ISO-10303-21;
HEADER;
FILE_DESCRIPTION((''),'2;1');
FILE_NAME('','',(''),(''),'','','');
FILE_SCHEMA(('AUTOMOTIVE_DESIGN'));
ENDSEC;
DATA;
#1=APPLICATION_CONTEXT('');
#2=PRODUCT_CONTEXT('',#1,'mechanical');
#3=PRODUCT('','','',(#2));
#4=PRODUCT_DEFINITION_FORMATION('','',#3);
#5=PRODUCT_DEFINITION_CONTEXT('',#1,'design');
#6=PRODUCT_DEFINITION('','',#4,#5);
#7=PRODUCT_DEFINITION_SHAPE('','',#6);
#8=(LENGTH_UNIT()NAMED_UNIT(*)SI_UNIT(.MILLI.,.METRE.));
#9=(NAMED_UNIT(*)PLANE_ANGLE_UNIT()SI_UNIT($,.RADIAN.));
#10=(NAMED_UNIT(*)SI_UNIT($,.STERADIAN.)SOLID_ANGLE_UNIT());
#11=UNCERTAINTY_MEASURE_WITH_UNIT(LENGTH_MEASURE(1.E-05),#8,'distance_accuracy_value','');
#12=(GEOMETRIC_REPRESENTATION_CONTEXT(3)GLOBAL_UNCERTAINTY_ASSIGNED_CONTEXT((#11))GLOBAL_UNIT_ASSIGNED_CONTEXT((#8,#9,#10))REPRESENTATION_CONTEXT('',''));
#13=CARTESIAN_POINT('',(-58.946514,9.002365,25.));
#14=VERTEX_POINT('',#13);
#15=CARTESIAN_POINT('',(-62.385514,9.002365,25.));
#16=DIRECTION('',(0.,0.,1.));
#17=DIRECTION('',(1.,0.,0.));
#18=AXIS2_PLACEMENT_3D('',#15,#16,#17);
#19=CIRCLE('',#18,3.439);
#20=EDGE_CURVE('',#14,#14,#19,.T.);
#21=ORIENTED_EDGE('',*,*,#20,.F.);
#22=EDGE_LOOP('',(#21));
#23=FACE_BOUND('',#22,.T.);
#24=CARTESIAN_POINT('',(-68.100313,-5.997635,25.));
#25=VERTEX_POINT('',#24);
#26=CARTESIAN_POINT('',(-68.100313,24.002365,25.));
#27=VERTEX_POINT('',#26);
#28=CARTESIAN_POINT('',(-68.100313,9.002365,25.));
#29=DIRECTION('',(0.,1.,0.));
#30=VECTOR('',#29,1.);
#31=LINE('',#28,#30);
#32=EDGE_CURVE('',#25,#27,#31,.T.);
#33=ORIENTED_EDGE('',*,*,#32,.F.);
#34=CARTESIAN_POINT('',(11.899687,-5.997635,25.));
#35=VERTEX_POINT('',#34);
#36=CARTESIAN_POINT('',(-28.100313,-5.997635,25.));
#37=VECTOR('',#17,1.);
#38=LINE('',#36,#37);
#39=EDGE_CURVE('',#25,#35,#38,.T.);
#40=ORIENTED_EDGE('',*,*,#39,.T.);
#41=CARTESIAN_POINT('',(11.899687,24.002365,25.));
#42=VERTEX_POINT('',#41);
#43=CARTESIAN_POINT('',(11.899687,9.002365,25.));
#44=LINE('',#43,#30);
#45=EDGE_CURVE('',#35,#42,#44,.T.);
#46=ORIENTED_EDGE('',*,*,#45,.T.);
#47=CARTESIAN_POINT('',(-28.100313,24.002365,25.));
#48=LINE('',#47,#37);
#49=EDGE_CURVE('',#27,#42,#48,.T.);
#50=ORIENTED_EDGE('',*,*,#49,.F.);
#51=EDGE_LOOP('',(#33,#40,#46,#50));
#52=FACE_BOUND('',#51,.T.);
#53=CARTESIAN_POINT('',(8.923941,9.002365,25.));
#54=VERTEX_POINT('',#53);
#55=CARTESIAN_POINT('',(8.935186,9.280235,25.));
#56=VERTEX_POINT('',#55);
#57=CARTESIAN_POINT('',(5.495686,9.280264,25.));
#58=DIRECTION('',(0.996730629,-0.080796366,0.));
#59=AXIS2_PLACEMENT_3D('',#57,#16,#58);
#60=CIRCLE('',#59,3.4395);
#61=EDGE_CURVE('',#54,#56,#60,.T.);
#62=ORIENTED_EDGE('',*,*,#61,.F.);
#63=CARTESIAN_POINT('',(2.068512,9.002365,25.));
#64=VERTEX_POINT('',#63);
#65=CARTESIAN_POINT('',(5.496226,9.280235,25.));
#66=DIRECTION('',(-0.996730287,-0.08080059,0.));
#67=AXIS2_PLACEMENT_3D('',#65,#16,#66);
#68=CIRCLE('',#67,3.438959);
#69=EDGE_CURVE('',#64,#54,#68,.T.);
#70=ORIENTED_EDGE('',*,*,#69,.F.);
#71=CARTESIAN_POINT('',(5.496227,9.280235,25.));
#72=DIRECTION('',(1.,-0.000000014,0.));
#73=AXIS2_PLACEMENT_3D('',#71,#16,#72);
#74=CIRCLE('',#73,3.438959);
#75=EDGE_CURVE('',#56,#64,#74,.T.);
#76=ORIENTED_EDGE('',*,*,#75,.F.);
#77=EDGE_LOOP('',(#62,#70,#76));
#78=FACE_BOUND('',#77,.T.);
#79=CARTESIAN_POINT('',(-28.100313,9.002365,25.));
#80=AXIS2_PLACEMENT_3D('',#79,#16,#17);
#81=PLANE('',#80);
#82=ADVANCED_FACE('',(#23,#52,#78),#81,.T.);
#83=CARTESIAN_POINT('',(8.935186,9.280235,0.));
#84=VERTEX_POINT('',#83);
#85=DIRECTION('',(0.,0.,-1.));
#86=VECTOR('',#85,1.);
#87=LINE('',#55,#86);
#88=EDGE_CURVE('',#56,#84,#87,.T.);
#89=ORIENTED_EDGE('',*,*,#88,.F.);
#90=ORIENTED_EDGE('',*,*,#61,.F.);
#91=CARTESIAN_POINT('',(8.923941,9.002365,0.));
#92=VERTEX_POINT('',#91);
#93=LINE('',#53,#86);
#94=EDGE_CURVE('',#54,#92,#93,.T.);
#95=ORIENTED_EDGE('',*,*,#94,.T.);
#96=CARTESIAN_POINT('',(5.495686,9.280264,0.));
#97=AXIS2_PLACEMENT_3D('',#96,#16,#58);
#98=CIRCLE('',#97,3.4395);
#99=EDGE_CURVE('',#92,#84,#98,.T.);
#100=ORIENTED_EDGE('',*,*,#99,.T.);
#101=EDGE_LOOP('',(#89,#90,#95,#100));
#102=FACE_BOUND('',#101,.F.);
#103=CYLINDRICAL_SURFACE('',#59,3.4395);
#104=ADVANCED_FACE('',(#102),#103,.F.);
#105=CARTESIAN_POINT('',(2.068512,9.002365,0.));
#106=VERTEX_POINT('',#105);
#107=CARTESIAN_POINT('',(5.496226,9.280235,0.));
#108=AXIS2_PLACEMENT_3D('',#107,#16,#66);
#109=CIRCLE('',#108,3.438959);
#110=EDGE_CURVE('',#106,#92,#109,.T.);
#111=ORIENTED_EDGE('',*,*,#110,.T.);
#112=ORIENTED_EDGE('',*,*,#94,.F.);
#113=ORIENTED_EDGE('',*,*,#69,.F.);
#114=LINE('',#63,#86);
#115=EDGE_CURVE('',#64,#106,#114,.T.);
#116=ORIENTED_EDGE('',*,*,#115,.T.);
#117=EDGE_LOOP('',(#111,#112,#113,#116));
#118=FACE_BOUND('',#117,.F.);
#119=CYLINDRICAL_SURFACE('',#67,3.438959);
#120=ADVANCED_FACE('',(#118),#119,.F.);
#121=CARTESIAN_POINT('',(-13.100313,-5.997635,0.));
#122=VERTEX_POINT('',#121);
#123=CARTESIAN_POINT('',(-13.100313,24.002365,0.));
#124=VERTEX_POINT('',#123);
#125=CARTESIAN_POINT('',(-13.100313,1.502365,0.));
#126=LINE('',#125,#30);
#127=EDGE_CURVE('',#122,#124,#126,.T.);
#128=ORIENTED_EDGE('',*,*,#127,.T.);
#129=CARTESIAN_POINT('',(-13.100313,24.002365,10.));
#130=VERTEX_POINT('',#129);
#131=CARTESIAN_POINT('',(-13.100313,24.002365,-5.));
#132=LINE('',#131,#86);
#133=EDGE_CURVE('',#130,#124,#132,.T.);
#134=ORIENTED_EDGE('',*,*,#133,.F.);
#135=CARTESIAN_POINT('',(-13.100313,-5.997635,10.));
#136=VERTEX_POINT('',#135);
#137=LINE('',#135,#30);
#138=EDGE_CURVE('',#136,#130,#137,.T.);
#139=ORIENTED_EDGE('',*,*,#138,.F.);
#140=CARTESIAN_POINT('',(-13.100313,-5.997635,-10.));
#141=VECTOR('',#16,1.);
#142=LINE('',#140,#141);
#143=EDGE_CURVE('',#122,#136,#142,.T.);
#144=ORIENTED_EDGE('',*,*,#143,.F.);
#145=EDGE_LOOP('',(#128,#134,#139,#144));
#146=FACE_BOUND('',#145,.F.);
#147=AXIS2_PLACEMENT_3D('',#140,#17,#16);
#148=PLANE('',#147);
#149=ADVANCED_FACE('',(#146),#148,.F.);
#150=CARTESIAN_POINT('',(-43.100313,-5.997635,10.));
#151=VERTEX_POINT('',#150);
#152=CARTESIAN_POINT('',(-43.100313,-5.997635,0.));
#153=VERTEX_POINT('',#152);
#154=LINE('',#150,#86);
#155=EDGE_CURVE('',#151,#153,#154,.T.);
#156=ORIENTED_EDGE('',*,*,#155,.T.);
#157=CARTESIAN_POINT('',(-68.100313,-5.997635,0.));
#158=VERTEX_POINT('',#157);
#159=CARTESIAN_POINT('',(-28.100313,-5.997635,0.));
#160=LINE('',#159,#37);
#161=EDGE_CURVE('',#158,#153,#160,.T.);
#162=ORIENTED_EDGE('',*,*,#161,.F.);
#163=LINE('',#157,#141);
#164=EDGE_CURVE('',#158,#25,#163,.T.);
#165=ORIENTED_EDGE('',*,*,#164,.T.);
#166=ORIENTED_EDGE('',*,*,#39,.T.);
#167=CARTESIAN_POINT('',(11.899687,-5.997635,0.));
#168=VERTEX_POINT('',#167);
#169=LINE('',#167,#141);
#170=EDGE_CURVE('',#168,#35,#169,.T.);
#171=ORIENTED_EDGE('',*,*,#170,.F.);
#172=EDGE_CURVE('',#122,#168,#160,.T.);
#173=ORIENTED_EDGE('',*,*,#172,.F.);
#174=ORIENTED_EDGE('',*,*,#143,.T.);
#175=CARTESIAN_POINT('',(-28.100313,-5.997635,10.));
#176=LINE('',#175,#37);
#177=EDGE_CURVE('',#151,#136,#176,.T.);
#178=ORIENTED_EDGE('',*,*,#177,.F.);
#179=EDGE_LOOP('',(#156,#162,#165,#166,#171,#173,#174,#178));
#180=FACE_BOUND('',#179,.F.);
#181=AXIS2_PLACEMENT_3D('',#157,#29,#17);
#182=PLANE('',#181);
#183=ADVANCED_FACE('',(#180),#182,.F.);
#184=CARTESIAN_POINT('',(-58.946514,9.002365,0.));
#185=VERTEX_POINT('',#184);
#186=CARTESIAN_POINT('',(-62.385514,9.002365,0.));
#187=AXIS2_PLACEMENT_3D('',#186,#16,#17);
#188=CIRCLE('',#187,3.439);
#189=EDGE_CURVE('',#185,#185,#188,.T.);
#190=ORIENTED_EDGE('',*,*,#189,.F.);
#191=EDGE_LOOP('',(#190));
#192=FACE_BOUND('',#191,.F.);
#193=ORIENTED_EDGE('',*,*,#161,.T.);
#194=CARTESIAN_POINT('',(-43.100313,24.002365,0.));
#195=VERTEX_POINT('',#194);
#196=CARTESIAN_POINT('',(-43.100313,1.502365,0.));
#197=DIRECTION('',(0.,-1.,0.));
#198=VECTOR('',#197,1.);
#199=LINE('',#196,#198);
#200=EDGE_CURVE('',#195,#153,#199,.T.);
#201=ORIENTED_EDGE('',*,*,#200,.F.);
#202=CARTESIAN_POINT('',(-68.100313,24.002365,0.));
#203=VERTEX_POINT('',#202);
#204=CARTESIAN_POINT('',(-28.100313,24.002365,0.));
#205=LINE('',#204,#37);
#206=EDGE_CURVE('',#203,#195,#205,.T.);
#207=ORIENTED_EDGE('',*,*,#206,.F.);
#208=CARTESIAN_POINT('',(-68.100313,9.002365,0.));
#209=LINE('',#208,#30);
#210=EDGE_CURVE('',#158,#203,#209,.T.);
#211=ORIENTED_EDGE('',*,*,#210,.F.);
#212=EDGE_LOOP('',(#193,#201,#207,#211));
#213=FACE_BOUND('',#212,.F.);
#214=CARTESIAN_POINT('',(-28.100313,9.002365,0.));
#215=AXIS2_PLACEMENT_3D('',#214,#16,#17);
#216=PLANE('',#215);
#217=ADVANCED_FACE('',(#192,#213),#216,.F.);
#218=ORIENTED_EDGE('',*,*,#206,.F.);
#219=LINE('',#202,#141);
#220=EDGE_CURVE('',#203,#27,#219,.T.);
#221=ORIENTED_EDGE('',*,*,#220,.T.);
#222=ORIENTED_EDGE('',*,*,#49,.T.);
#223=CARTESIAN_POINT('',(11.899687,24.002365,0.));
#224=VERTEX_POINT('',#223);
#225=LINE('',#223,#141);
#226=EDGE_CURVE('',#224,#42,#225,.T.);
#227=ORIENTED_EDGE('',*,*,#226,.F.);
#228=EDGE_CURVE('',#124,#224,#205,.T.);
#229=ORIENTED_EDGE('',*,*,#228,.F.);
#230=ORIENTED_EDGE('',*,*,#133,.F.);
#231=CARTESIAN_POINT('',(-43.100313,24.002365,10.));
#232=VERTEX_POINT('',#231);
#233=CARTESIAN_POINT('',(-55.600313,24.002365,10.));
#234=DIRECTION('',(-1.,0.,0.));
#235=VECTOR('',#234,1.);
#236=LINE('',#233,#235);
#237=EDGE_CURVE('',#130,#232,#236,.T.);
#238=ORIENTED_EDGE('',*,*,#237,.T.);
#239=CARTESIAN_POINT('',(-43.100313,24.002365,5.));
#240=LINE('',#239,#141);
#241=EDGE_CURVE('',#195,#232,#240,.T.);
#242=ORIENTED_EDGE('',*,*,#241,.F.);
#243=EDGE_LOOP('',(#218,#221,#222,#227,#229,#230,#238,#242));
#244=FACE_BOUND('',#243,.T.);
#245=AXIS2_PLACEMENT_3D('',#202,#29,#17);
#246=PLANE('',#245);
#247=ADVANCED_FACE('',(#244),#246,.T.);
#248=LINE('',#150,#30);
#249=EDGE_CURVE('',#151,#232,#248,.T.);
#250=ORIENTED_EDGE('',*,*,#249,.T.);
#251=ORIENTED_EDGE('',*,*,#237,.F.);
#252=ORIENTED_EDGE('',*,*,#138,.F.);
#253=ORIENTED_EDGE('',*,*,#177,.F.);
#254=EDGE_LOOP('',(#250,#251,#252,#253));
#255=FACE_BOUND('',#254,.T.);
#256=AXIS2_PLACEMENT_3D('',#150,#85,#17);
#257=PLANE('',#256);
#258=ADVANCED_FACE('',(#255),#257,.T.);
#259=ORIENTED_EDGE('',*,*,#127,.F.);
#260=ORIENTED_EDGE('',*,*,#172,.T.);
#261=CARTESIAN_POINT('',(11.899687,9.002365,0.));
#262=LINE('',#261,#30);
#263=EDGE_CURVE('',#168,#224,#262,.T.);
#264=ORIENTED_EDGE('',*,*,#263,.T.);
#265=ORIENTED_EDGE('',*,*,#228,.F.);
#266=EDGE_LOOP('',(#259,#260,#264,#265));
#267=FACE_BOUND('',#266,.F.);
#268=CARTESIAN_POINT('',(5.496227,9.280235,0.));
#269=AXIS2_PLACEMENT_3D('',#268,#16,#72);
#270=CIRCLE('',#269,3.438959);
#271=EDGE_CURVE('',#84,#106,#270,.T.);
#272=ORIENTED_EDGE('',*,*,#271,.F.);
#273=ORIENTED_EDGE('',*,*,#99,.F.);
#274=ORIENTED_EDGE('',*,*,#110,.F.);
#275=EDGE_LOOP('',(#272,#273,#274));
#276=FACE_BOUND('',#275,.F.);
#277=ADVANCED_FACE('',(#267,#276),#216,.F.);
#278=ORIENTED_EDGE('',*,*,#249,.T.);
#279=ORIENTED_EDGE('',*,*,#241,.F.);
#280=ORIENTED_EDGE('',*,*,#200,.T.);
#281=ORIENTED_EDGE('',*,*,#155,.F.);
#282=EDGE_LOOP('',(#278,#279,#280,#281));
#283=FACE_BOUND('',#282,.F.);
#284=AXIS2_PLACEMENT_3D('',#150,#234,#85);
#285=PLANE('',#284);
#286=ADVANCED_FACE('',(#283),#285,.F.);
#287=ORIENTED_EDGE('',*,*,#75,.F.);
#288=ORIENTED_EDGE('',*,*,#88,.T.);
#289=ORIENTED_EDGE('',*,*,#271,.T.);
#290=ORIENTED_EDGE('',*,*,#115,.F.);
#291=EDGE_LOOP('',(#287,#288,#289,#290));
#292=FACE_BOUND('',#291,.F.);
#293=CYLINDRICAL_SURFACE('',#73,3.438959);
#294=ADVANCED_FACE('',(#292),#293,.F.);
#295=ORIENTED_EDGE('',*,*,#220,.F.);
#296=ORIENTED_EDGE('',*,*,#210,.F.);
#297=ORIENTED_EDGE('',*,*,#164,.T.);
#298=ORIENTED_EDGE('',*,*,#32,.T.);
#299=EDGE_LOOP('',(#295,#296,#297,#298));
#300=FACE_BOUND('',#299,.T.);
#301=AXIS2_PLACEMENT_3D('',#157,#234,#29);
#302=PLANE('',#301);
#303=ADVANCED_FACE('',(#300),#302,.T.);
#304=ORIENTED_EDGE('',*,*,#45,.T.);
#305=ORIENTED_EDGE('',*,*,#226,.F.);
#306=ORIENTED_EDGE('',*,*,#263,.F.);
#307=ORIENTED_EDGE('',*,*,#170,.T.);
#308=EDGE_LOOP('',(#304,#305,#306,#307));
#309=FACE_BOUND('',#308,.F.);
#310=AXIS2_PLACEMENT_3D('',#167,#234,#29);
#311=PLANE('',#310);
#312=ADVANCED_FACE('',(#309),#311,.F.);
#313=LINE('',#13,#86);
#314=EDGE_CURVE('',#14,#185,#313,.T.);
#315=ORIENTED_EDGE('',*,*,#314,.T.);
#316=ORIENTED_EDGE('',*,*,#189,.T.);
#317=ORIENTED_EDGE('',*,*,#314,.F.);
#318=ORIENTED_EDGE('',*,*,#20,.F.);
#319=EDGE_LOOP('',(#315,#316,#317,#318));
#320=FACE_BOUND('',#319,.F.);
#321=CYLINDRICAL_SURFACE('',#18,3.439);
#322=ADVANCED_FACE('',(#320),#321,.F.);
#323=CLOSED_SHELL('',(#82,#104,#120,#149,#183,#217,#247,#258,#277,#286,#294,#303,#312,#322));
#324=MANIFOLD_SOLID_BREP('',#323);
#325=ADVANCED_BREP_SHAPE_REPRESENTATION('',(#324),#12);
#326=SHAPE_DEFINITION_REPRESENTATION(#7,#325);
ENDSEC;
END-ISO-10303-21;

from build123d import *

# Parameters (mm, degrees)
F0_W     = 80
F0_H     = 30
F1_DEPTH = 25
F2_W     = 30
F2_H     = 10
F3_DEPTH = 100
F5_DEPTH = 100
F6_R     = 3.439
F7_DEPTH = 100


with BuildPart() as f1:
    # F0 (on Top) → F1 (new body)
    with BuildSketch(Plane.XY):
        with Locations((-28.100313, 9.002365)):
            Rectangle(F0_W, F0_H)
    extrude(amount=F1_DEPTH)

    # F2 (on face) → F3 (cut)
    with BuildSketch(Plane.XZ.offset(5.997635)):
        with Locations((-28.100313, -5)):
            Rectangle(F2_W, F2_H)
        with Locations((-28.100313, 5)):
            Rectangle(F2_W, F2_H)
    extrude(amount=-F3_DEPTH, mode=Mode.SUBTRACT)

    # F4 (on face) → F5 (cut)
    with BuildSketch(Plane.XY.offset(25)):
        with BuildLine():
            ThreePointArc((8.935186, 9.280235), (5.357178, 12.716382), (2.068512, 9.002365))
            Line((2.068512, 9.002365), (8.923941, 9.002365))
            ThreePointArc((8.923941, 9.002365), (8.932373, 9.141186), (8.935186, 9.280235))
        make_face()
        with BuildLine():
            Line((8.923941, 9.002365), (2.068512, 9.002365))
            ThreePointArc((2.068512, 9.002365), (5.496227, 5.841276), (8.923941, 9.002365))
        make_face()
    extrude(amount=-F5_DEPTH, mode=Mode.SUBTRACT)

    # F6 (on face) → F7 (cut)
    with BuildSketch(Plane.XY.offset(25)):
        with Locations((-62.385514, 9.002365)):
            Circle(F6_R)
    extrude(amount=-F7_DEPTH, mode=Mode.SUBTRACT)


solid = f1.part
